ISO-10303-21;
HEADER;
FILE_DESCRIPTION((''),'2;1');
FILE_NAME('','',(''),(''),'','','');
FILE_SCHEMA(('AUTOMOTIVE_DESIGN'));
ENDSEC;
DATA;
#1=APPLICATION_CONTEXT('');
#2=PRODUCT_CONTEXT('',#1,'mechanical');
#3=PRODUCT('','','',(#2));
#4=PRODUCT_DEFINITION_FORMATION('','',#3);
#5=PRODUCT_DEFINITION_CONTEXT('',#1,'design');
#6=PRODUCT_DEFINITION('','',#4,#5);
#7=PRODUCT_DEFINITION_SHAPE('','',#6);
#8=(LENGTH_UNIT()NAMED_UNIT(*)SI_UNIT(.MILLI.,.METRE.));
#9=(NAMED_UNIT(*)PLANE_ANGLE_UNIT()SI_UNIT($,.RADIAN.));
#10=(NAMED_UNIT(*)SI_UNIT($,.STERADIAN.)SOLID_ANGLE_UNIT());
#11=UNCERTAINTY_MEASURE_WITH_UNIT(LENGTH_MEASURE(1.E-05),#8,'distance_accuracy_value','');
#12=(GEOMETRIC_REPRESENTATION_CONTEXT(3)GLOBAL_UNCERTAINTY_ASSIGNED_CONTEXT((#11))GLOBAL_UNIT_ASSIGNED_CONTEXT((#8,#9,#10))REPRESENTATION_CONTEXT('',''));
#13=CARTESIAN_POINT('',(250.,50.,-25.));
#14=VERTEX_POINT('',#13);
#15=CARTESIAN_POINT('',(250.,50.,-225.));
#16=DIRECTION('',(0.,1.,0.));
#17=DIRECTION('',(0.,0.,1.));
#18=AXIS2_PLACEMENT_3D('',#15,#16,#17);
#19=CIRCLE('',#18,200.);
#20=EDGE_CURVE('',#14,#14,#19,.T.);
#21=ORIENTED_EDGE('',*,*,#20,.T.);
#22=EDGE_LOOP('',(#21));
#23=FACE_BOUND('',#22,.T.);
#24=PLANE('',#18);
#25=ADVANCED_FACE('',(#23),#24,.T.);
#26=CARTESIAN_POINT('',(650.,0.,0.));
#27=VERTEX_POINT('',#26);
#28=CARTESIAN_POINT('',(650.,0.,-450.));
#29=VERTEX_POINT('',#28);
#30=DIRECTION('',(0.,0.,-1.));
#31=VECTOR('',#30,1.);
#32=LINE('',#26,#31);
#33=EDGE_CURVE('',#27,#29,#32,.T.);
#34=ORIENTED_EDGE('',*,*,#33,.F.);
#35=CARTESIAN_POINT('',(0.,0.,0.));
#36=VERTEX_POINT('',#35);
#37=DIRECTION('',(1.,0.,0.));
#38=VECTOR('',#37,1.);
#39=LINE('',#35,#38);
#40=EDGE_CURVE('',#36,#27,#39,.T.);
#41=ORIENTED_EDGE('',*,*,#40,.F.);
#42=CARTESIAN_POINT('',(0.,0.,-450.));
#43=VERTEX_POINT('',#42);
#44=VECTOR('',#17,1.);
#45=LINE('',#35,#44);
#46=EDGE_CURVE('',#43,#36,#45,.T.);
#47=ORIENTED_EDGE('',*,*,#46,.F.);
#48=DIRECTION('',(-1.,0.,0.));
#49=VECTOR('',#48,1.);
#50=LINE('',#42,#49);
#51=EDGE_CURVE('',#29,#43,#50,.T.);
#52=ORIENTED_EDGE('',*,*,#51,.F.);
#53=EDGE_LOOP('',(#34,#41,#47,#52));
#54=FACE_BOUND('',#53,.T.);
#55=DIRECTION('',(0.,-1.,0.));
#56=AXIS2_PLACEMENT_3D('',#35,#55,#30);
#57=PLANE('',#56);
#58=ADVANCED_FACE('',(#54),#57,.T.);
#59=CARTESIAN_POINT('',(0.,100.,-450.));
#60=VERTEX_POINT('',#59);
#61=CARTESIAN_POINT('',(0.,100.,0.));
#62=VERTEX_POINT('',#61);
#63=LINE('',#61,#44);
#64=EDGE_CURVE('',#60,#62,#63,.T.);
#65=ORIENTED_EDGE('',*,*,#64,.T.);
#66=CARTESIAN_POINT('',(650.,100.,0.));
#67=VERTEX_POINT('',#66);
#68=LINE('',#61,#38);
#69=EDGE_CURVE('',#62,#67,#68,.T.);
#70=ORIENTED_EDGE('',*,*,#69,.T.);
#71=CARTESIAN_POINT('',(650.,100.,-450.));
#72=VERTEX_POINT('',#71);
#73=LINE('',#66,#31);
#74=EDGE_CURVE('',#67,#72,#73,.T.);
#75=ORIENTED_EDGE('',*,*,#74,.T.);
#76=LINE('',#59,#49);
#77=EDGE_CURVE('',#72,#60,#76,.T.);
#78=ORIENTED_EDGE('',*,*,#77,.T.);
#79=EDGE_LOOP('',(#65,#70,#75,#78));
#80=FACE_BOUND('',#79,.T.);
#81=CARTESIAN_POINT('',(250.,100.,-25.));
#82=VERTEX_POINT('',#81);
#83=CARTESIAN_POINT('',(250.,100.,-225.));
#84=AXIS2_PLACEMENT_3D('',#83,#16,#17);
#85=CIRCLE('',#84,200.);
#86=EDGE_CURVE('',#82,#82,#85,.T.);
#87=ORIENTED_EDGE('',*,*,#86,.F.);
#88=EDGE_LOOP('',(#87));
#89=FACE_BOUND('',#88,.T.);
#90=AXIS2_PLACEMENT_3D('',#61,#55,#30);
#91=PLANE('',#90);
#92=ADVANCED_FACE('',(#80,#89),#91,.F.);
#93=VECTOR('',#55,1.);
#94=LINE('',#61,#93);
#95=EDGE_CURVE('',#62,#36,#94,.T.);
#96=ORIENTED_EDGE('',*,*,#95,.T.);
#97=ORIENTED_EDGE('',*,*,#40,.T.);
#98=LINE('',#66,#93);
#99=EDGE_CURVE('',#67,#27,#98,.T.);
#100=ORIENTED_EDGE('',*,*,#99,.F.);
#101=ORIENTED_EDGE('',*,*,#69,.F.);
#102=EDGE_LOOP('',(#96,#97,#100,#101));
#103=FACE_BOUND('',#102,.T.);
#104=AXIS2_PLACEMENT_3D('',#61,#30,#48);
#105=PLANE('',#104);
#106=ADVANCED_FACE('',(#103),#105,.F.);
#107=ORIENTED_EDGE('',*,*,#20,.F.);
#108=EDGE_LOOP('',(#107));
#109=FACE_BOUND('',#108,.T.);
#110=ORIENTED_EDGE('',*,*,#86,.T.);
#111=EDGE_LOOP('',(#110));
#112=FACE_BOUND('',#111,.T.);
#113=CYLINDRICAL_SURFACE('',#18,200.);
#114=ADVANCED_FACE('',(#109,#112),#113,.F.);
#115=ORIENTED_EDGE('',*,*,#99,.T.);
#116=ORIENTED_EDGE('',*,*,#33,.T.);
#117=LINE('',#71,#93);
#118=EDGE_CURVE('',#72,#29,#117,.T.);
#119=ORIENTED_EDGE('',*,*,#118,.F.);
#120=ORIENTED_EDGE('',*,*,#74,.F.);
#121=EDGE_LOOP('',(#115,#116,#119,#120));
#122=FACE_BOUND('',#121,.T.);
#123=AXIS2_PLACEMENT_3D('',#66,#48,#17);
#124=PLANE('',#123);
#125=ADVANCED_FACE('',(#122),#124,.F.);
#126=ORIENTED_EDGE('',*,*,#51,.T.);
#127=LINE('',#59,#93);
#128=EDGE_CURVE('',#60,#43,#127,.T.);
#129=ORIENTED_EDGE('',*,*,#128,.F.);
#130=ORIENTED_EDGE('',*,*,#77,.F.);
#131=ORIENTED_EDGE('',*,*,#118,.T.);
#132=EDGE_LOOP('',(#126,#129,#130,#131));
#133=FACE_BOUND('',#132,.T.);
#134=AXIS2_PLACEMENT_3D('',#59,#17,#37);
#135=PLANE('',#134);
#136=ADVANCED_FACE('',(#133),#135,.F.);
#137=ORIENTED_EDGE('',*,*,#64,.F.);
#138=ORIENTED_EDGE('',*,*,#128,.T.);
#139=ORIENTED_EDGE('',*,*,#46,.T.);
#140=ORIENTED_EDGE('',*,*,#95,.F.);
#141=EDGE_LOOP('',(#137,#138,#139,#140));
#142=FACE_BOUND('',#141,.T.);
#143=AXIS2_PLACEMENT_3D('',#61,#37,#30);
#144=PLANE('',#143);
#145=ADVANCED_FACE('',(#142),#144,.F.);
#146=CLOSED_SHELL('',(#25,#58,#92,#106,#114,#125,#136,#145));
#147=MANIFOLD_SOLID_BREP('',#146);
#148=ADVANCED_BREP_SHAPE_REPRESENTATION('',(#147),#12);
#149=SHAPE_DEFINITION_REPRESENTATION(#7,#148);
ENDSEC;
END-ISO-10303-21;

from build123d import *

# Parameters (mm, degrees)
SKETCH1_W           = 650
SKETCH1_H           = 450
BOSS_EXTRUDE1_DEPTH = 100
SKETCH2_R           = 200
CUT_EXTRUDE1_DEPTH  = 50


with BuildPart() as part:
    # Sketch1 → Boss-Extrude1 (new body)
    with BuildSketch(Plane(origin=(0, 0, 0), x_dir=(1, 0, 0), z_dir=(0, 1, 0))):
        with Locations((325, 225)):
            Rectangle(SKETCH1_W, SKETCH1_H)
    extrude(amount=BOSS_EXTRUDE1_DEPTH)

    # Sketch2 → Cut-Extrude1 (cut)
    with BuildSketch(Plane(origin=(0, 100, 0), x_dir=(1, 0, 0), z_dir=(0, 1, 0))):
        with Locations(Location((250, 225, 0), (0, 0, 270))):
            Circle(SKETCH2_R)
    extrude(amount=-CUT_EXTRUDE1_DEPTH, mode=Mode.SUBTRACT)


solid = part.part
